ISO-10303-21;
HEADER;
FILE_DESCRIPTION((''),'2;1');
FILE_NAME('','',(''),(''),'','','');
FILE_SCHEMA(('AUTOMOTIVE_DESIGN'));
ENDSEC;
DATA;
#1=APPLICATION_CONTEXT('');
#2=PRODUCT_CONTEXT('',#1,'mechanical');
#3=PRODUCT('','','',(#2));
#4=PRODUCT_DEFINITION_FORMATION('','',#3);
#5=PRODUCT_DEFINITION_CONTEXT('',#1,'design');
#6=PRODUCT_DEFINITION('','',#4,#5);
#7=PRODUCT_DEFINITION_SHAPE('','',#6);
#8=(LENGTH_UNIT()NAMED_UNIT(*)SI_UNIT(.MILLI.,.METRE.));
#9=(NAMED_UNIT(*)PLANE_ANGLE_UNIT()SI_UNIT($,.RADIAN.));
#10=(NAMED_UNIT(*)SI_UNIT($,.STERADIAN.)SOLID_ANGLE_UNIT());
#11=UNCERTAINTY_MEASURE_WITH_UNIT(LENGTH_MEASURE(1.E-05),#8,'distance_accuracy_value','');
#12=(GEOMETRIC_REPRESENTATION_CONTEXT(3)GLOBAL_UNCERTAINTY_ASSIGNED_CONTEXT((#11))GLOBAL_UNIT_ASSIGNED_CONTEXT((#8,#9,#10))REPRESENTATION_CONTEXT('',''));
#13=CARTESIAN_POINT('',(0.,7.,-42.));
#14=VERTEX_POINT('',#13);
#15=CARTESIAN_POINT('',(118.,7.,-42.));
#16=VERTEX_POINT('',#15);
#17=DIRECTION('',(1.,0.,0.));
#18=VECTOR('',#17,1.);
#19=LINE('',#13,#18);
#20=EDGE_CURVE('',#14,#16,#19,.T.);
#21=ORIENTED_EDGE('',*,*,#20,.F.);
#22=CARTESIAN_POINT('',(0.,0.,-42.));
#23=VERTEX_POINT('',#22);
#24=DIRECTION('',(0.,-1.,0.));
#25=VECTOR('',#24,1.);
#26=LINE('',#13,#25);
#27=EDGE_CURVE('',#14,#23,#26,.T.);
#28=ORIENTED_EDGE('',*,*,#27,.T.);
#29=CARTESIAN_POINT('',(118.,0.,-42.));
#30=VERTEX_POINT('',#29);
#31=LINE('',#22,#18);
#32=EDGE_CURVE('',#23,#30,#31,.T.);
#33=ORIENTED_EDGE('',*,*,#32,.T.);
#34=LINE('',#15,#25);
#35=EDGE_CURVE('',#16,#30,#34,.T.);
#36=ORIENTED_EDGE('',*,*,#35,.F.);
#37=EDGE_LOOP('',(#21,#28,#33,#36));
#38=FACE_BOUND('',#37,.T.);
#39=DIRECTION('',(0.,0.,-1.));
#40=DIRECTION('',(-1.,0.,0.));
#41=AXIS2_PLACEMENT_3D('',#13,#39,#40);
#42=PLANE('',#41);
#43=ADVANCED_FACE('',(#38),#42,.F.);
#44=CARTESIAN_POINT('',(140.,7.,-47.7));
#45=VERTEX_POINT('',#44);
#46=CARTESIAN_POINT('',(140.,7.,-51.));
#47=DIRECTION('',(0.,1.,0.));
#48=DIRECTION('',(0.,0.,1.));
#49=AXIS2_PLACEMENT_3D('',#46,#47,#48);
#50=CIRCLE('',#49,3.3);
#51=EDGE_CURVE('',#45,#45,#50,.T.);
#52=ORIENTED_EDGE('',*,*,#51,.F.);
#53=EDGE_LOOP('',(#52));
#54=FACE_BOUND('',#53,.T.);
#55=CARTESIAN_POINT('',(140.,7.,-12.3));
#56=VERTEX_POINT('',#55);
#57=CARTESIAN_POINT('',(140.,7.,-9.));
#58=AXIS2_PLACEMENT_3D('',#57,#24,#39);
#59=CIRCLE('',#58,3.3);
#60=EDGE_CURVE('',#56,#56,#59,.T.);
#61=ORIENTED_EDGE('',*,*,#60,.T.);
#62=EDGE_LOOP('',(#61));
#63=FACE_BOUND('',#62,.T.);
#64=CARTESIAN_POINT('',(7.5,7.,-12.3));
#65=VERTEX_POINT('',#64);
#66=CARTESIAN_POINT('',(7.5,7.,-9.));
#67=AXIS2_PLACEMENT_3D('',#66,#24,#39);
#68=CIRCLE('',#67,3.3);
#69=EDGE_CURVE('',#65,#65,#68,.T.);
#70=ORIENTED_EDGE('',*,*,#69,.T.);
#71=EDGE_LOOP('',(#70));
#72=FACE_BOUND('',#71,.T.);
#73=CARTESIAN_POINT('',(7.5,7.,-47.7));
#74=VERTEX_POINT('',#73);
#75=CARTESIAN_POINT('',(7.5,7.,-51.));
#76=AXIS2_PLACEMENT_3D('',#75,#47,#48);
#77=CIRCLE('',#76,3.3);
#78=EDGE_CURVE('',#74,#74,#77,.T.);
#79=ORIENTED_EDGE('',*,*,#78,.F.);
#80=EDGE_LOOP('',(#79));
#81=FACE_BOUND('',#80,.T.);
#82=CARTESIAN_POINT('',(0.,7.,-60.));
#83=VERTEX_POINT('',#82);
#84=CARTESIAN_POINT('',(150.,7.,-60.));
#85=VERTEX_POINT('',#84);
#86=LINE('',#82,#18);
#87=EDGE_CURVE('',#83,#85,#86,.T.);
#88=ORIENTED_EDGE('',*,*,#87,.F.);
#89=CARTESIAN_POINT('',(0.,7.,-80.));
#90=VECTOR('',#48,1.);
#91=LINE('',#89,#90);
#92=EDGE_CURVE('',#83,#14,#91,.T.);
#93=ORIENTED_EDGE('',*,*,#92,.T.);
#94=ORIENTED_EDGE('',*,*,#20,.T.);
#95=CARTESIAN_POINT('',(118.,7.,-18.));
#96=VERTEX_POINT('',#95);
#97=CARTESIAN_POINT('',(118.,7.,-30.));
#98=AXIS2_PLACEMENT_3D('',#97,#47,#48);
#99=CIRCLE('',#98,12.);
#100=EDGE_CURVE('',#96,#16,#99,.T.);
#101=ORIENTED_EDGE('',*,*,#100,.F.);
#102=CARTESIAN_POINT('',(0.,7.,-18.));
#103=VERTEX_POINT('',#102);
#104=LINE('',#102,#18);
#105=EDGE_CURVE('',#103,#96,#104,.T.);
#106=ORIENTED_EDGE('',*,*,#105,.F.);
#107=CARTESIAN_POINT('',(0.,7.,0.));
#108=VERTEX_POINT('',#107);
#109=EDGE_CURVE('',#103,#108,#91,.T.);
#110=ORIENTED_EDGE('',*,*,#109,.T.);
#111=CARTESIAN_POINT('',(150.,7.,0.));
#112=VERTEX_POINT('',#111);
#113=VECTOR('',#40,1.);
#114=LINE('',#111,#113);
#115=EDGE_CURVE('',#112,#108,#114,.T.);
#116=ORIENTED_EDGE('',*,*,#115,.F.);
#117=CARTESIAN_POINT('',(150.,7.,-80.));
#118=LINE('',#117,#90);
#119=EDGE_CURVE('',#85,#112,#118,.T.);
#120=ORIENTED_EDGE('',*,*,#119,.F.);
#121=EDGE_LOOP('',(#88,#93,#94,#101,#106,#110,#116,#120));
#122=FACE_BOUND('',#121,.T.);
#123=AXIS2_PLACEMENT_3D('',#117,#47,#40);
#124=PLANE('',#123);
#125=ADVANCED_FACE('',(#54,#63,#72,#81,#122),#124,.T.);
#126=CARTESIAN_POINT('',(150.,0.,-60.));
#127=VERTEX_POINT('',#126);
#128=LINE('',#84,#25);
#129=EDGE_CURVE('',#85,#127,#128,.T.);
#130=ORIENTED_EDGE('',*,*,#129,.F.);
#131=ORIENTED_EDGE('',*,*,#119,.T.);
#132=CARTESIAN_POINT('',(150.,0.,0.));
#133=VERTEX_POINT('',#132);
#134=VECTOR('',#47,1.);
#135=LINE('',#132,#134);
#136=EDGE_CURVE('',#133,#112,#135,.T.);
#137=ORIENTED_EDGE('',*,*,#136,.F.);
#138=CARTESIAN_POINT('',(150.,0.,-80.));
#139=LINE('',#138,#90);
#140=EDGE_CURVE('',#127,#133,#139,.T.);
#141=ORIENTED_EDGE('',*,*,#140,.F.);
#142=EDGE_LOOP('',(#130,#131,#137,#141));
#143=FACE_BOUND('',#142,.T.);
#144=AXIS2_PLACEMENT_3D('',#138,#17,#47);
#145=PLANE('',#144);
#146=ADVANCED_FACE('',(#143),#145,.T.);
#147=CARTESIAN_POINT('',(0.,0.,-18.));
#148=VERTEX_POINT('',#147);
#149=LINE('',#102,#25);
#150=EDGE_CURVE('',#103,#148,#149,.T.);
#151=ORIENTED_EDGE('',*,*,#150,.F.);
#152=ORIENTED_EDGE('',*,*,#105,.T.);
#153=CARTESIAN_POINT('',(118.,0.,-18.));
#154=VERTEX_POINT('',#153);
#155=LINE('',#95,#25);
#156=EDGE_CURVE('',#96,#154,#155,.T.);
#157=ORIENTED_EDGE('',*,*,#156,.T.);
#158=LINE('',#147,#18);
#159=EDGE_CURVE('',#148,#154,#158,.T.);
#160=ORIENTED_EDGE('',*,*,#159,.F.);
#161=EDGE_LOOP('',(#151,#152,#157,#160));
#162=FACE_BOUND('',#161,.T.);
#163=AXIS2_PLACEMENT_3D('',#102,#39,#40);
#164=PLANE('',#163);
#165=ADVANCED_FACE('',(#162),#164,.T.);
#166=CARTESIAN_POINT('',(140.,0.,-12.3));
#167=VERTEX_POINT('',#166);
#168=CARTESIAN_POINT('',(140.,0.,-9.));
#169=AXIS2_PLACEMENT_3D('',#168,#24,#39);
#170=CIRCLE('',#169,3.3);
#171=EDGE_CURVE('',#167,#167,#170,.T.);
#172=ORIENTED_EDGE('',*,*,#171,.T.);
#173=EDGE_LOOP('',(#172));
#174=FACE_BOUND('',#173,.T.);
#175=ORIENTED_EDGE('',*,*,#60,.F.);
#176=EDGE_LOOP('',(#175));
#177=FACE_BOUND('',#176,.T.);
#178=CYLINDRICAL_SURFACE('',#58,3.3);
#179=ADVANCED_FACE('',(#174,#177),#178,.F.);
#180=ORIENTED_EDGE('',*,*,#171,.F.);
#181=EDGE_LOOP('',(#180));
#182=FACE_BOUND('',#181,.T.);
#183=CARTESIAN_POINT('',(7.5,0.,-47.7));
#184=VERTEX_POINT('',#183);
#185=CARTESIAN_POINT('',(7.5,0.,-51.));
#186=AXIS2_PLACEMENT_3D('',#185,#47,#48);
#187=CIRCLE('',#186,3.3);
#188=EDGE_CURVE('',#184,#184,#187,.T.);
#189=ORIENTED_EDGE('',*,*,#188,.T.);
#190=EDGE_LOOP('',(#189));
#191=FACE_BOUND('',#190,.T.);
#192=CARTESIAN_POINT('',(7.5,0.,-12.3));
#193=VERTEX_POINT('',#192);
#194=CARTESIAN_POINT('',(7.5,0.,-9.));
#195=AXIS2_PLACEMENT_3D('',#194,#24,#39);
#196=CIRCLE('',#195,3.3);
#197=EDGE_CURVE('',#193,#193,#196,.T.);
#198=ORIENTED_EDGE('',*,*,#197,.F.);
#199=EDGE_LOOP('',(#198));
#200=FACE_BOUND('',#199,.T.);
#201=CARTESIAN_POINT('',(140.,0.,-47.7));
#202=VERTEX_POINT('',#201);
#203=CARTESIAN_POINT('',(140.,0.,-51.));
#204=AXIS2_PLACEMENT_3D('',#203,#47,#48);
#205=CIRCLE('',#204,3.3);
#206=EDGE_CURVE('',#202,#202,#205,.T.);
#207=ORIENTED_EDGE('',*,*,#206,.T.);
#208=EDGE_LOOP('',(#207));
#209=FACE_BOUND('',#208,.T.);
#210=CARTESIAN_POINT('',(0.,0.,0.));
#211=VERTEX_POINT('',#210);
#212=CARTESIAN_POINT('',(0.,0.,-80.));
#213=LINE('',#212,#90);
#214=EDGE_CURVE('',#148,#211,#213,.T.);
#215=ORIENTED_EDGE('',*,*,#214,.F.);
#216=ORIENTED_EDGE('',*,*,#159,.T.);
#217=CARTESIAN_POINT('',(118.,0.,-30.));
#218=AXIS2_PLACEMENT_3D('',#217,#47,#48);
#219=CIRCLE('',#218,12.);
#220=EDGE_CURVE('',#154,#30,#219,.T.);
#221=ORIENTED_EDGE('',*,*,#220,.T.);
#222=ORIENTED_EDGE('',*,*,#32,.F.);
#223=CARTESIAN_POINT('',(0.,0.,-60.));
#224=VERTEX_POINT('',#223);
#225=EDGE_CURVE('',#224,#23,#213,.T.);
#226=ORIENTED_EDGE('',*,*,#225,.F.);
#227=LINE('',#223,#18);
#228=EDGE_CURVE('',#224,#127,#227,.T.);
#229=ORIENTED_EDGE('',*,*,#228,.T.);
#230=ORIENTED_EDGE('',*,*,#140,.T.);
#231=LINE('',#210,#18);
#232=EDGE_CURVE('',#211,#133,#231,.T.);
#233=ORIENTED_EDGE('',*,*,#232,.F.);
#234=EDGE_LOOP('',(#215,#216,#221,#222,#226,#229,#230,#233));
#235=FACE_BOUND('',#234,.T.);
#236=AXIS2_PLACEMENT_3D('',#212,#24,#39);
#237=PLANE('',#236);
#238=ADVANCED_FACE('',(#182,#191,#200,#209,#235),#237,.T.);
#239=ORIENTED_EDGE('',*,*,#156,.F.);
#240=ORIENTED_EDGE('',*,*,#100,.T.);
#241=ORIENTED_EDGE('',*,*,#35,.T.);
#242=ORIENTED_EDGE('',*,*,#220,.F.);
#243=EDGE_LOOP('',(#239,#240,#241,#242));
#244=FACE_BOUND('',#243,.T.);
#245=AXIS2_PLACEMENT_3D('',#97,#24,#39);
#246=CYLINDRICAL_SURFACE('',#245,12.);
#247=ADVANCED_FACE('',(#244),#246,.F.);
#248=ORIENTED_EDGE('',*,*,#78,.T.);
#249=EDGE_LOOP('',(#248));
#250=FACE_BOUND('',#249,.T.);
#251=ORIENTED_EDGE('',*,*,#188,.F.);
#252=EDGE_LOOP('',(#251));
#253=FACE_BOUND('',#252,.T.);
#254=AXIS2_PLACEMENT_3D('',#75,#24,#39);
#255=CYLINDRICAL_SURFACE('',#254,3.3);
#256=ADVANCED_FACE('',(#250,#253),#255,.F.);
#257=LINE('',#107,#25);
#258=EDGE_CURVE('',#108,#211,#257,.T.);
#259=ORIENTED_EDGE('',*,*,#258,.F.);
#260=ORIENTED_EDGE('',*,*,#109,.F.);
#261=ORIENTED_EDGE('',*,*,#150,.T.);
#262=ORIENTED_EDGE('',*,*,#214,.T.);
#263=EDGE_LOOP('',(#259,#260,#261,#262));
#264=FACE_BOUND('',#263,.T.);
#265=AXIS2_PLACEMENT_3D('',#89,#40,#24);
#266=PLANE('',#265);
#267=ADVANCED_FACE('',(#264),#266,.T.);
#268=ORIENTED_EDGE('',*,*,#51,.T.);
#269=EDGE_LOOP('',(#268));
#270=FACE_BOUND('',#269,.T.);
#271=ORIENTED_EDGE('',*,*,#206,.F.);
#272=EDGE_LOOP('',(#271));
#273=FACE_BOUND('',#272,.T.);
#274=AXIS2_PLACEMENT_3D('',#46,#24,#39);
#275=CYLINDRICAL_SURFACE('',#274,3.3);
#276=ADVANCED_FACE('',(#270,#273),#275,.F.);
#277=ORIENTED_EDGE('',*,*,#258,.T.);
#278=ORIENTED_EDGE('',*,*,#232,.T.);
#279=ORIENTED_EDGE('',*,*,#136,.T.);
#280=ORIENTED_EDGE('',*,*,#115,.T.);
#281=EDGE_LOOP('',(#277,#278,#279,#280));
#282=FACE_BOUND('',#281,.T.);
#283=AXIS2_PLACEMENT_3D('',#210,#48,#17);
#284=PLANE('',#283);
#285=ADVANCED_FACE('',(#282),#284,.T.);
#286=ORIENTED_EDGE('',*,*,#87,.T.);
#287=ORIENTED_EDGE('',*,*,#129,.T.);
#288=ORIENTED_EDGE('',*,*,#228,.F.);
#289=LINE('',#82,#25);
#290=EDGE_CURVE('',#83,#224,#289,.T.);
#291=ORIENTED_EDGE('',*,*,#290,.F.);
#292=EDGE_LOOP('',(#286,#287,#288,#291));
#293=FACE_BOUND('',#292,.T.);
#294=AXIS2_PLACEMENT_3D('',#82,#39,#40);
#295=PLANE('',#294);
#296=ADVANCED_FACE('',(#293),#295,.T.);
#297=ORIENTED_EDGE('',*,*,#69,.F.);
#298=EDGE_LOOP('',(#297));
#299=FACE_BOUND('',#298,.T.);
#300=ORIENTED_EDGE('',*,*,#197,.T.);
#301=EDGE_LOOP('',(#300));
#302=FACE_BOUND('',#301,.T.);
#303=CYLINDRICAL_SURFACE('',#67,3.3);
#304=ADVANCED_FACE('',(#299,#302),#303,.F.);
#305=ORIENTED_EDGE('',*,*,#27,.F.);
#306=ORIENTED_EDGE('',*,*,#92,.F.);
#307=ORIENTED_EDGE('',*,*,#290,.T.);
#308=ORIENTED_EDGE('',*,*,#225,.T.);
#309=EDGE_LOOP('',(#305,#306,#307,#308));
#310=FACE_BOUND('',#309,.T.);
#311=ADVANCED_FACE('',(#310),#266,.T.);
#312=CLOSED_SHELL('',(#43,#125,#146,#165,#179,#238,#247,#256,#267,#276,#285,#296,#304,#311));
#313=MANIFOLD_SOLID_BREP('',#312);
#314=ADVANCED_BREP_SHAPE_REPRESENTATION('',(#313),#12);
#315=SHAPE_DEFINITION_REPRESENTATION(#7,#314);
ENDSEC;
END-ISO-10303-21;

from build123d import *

# Parameters (mm, degrees)
SCHIZZO1_W                   = 150
SCHIZZO1_H                   = 7
ESTRUSIONE_ESTRUSIONE1_DEPTH = 80
SCHIZZO2_W                   = 203.570811829
SCHIZZO2_H                   = 138.674141949
SCHIZZO2_R                   = 3.3
TAGLIO_ESTRUSIONE1_DEPTH     = 171.144056611


with BuildPart() as part:
    # Schizzo1 → Estrusione-Estrusione1 (new body)
    with BuildSketch(Plane.XY):
        with Locations((75, 3.5)):
            Rectangle(SCHIZZO1_W, SCHIZZO1_H)
    extrude(amount=-ESTRUSIONE_ESTRUSIONE1_DEPTH)

    # Schizzo2 → Taglio-Estrusione1 (cut, through all)
    # profile 1 of 5: a face of its own
    with BuildSketch(Plane(origin=(0, 0, 0), x_dir=(1, 0, 0), z_dir=(0, 1, 0))):
        with Locations((73.083648688, 28.492060902)):
            Rectangle(SCHIZZO2_W, SCHIZZO2_H)
        with BuildLine():
            Line((0, 18), (118, 18))
            ThreePointArc((118, 18), (130, 30), (118, 42))
            Line((118, 42), (0, 42))
            Line((0, 42), (0, 60))
            Line((0, 60), (150, 60))
            Line((150, 60), (150, 0))
            Line((150, 0), (0, 0))
            Line((0, 0), (0, 18))
        make_face(mode=Mode.SUBTRACT)
    # profile 2 of 5: a face of its own
    with BuildSketch(Plane(origin=(0, 0, 0), x_dir=(1, 0, 0), z_dir=(0, 1, 0))):
        with Locations(Location((140, 9, 0), (0, 0, 90))):
            Circle(SCHIZZO2_R)
    # profile 3 of 5: a face of its own
    with BuildSketch(Plane(origin=(0, 0, 0), x_dir=(1, 0, 0), z_dir=(0, 1, 0))):
        with Locations(Location((140, 51, 0), (0, 0, 270))):
            Circle(SCHIZZO2_R)
    # profile 4 of 5: a face of its own
    with BuildSketch(Plane(origin=(0, 0, 0), x_dir=(1, 0, 0), z_dir=(0, 1, 0))):
        with Locations(Location((7.5, 9, 0), (0, 0, 90))):
            Circle(SCHIZZO2_R)
    # profile 5 of 5: a face of its own
    with BuildSketch(Plane(origin=(0, 0, 0), x_dir=(1, 0, 0), z_dir=(0, 1, 0))):
        with Locations(Location((7.5, 51, 0), (0, 0, 270))):
            Circle(SCHIZZO2_R)
    extrude(amount=TAGLIO_ESTRUSIONE1_DEPTH, mode=Mode.SUBTRACT)


solid = part.part
